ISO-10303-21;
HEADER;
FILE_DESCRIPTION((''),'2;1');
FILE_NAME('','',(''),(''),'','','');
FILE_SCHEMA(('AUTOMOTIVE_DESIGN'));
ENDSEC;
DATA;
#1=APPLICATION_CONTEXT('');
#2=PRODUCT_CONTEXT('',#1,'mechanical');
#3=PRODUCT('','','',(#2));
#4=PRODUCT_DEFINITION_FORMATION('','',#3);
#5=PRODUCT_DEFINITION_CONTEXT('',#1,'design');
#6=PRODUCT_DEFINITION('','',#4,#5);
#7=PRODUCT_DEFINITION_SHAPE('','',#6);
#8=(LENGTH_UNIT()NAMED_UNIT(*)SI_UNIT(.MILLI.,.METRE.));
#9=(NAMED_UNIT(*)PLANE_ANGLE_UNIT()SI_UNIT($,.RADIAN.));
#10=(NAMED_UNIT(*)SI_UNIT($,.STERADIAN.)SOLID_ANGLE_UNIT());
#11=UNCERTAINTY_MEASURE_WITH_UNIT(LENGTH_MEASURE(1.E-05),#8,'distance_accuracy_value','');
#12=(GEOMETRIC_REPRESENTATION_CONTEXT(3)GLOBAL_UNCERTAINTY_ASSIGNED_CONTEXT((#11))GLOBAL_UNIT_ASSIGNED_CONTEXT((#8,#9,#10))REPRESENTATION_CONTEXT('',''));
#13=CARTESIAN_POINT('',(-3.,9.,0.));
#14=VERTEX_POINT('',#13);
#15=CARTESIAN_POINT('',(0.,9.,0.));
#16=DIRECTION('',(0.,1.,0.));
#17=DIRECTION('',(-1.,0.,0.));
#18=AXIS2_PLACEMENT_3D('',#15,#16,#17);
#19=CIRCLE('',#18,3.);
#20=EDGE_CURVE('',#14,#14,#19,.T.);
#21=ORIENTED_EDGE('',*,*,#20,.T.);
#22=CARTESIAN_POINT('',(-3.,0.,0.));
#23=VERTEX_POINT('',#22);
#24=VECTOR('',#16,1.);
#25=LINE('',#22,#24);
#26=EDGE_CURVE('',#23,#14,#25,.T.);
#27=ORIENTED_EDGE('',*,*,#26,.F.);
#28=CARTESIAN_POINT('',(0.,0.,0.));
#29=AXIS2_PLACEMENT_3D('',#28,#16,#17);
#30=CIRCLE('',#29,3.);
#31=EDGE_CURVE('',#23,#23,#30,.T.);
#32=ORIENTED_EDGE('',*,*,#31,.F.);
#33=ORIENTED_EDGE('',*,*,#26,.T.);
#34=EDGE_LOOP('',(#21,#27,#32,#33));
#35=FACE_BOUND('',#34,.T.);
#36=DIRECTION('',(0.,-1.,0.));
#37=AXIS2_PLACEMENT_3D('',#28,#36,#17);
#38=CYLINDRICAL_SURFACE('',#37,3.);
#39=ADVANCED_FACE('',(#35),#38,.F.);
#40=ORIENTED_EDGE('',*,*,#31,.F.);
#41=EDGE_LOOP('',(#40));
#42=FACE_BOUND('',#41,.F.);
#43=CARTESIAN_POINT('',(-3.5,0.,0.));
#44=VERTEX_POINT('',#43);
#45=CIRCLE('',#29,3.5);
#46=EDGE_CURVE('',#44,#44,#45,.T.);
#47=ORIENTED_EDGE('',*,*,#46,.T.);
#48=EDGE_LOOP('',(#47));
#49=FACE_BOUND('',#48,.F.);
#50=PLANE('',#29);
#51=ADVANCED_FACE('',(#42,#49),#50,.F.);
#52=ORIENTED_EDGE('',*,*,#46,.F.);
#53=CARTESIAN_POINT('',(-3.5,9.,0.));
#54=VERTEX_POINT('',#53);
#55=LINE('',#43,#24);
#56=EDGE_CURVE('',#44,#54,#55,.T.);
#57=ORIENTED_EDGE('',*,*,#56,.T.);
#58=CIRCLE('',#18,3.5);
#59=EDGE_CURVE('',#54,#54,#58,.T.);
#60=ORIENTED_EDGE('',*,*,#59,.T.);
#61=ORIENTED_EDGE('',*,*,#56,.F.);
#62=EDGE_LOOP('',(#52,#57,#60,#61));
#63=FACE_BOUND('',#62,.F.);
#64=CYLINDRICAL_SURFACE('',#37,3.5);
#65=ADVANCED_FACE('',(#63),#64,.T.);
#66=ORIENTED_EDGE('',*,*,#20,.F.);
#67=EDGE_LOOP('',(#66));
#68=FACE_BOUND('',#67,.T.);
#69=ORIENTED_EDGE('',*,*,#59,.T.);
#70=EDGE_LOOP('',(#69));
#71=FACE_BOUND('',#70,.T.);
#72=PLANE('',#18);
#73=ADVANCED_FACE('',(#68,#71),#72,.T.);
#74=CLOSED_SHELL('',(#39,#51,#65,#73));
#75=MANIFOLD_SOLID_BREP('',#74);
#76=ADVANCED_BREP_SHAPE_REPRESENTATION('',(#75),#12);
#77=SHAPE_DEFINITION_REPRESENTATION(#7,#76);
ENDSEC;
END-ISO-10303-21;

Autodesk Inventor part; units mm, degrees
ref_plane "YZ Plane" through (0, 0, 0) normal (1, 0, 0) x (0, 1, 0)
ref_plane "XZ Plane" through (0, 0, 0) normal (0, 1, 0) x (-1, 0, 0)
ref_plane "XY Plane" through (0, 0, 0) normal (0, 0, 1) x (1, 0, 0)
sketch "Sketch1" plane through (0, 0, 0) normal (0, 1, 0) x (-1, 0, 0)
  circle A0 centre (0, 0) radius 3.5
  circle A1 centre (0, 0) radius 3
  dimension "d0" = 7
  dimension "d1" = 6
extrude "Extrusion1" add sketch "Sketch1" along normal blind 9
properties part number "Inner_Sleeve"
